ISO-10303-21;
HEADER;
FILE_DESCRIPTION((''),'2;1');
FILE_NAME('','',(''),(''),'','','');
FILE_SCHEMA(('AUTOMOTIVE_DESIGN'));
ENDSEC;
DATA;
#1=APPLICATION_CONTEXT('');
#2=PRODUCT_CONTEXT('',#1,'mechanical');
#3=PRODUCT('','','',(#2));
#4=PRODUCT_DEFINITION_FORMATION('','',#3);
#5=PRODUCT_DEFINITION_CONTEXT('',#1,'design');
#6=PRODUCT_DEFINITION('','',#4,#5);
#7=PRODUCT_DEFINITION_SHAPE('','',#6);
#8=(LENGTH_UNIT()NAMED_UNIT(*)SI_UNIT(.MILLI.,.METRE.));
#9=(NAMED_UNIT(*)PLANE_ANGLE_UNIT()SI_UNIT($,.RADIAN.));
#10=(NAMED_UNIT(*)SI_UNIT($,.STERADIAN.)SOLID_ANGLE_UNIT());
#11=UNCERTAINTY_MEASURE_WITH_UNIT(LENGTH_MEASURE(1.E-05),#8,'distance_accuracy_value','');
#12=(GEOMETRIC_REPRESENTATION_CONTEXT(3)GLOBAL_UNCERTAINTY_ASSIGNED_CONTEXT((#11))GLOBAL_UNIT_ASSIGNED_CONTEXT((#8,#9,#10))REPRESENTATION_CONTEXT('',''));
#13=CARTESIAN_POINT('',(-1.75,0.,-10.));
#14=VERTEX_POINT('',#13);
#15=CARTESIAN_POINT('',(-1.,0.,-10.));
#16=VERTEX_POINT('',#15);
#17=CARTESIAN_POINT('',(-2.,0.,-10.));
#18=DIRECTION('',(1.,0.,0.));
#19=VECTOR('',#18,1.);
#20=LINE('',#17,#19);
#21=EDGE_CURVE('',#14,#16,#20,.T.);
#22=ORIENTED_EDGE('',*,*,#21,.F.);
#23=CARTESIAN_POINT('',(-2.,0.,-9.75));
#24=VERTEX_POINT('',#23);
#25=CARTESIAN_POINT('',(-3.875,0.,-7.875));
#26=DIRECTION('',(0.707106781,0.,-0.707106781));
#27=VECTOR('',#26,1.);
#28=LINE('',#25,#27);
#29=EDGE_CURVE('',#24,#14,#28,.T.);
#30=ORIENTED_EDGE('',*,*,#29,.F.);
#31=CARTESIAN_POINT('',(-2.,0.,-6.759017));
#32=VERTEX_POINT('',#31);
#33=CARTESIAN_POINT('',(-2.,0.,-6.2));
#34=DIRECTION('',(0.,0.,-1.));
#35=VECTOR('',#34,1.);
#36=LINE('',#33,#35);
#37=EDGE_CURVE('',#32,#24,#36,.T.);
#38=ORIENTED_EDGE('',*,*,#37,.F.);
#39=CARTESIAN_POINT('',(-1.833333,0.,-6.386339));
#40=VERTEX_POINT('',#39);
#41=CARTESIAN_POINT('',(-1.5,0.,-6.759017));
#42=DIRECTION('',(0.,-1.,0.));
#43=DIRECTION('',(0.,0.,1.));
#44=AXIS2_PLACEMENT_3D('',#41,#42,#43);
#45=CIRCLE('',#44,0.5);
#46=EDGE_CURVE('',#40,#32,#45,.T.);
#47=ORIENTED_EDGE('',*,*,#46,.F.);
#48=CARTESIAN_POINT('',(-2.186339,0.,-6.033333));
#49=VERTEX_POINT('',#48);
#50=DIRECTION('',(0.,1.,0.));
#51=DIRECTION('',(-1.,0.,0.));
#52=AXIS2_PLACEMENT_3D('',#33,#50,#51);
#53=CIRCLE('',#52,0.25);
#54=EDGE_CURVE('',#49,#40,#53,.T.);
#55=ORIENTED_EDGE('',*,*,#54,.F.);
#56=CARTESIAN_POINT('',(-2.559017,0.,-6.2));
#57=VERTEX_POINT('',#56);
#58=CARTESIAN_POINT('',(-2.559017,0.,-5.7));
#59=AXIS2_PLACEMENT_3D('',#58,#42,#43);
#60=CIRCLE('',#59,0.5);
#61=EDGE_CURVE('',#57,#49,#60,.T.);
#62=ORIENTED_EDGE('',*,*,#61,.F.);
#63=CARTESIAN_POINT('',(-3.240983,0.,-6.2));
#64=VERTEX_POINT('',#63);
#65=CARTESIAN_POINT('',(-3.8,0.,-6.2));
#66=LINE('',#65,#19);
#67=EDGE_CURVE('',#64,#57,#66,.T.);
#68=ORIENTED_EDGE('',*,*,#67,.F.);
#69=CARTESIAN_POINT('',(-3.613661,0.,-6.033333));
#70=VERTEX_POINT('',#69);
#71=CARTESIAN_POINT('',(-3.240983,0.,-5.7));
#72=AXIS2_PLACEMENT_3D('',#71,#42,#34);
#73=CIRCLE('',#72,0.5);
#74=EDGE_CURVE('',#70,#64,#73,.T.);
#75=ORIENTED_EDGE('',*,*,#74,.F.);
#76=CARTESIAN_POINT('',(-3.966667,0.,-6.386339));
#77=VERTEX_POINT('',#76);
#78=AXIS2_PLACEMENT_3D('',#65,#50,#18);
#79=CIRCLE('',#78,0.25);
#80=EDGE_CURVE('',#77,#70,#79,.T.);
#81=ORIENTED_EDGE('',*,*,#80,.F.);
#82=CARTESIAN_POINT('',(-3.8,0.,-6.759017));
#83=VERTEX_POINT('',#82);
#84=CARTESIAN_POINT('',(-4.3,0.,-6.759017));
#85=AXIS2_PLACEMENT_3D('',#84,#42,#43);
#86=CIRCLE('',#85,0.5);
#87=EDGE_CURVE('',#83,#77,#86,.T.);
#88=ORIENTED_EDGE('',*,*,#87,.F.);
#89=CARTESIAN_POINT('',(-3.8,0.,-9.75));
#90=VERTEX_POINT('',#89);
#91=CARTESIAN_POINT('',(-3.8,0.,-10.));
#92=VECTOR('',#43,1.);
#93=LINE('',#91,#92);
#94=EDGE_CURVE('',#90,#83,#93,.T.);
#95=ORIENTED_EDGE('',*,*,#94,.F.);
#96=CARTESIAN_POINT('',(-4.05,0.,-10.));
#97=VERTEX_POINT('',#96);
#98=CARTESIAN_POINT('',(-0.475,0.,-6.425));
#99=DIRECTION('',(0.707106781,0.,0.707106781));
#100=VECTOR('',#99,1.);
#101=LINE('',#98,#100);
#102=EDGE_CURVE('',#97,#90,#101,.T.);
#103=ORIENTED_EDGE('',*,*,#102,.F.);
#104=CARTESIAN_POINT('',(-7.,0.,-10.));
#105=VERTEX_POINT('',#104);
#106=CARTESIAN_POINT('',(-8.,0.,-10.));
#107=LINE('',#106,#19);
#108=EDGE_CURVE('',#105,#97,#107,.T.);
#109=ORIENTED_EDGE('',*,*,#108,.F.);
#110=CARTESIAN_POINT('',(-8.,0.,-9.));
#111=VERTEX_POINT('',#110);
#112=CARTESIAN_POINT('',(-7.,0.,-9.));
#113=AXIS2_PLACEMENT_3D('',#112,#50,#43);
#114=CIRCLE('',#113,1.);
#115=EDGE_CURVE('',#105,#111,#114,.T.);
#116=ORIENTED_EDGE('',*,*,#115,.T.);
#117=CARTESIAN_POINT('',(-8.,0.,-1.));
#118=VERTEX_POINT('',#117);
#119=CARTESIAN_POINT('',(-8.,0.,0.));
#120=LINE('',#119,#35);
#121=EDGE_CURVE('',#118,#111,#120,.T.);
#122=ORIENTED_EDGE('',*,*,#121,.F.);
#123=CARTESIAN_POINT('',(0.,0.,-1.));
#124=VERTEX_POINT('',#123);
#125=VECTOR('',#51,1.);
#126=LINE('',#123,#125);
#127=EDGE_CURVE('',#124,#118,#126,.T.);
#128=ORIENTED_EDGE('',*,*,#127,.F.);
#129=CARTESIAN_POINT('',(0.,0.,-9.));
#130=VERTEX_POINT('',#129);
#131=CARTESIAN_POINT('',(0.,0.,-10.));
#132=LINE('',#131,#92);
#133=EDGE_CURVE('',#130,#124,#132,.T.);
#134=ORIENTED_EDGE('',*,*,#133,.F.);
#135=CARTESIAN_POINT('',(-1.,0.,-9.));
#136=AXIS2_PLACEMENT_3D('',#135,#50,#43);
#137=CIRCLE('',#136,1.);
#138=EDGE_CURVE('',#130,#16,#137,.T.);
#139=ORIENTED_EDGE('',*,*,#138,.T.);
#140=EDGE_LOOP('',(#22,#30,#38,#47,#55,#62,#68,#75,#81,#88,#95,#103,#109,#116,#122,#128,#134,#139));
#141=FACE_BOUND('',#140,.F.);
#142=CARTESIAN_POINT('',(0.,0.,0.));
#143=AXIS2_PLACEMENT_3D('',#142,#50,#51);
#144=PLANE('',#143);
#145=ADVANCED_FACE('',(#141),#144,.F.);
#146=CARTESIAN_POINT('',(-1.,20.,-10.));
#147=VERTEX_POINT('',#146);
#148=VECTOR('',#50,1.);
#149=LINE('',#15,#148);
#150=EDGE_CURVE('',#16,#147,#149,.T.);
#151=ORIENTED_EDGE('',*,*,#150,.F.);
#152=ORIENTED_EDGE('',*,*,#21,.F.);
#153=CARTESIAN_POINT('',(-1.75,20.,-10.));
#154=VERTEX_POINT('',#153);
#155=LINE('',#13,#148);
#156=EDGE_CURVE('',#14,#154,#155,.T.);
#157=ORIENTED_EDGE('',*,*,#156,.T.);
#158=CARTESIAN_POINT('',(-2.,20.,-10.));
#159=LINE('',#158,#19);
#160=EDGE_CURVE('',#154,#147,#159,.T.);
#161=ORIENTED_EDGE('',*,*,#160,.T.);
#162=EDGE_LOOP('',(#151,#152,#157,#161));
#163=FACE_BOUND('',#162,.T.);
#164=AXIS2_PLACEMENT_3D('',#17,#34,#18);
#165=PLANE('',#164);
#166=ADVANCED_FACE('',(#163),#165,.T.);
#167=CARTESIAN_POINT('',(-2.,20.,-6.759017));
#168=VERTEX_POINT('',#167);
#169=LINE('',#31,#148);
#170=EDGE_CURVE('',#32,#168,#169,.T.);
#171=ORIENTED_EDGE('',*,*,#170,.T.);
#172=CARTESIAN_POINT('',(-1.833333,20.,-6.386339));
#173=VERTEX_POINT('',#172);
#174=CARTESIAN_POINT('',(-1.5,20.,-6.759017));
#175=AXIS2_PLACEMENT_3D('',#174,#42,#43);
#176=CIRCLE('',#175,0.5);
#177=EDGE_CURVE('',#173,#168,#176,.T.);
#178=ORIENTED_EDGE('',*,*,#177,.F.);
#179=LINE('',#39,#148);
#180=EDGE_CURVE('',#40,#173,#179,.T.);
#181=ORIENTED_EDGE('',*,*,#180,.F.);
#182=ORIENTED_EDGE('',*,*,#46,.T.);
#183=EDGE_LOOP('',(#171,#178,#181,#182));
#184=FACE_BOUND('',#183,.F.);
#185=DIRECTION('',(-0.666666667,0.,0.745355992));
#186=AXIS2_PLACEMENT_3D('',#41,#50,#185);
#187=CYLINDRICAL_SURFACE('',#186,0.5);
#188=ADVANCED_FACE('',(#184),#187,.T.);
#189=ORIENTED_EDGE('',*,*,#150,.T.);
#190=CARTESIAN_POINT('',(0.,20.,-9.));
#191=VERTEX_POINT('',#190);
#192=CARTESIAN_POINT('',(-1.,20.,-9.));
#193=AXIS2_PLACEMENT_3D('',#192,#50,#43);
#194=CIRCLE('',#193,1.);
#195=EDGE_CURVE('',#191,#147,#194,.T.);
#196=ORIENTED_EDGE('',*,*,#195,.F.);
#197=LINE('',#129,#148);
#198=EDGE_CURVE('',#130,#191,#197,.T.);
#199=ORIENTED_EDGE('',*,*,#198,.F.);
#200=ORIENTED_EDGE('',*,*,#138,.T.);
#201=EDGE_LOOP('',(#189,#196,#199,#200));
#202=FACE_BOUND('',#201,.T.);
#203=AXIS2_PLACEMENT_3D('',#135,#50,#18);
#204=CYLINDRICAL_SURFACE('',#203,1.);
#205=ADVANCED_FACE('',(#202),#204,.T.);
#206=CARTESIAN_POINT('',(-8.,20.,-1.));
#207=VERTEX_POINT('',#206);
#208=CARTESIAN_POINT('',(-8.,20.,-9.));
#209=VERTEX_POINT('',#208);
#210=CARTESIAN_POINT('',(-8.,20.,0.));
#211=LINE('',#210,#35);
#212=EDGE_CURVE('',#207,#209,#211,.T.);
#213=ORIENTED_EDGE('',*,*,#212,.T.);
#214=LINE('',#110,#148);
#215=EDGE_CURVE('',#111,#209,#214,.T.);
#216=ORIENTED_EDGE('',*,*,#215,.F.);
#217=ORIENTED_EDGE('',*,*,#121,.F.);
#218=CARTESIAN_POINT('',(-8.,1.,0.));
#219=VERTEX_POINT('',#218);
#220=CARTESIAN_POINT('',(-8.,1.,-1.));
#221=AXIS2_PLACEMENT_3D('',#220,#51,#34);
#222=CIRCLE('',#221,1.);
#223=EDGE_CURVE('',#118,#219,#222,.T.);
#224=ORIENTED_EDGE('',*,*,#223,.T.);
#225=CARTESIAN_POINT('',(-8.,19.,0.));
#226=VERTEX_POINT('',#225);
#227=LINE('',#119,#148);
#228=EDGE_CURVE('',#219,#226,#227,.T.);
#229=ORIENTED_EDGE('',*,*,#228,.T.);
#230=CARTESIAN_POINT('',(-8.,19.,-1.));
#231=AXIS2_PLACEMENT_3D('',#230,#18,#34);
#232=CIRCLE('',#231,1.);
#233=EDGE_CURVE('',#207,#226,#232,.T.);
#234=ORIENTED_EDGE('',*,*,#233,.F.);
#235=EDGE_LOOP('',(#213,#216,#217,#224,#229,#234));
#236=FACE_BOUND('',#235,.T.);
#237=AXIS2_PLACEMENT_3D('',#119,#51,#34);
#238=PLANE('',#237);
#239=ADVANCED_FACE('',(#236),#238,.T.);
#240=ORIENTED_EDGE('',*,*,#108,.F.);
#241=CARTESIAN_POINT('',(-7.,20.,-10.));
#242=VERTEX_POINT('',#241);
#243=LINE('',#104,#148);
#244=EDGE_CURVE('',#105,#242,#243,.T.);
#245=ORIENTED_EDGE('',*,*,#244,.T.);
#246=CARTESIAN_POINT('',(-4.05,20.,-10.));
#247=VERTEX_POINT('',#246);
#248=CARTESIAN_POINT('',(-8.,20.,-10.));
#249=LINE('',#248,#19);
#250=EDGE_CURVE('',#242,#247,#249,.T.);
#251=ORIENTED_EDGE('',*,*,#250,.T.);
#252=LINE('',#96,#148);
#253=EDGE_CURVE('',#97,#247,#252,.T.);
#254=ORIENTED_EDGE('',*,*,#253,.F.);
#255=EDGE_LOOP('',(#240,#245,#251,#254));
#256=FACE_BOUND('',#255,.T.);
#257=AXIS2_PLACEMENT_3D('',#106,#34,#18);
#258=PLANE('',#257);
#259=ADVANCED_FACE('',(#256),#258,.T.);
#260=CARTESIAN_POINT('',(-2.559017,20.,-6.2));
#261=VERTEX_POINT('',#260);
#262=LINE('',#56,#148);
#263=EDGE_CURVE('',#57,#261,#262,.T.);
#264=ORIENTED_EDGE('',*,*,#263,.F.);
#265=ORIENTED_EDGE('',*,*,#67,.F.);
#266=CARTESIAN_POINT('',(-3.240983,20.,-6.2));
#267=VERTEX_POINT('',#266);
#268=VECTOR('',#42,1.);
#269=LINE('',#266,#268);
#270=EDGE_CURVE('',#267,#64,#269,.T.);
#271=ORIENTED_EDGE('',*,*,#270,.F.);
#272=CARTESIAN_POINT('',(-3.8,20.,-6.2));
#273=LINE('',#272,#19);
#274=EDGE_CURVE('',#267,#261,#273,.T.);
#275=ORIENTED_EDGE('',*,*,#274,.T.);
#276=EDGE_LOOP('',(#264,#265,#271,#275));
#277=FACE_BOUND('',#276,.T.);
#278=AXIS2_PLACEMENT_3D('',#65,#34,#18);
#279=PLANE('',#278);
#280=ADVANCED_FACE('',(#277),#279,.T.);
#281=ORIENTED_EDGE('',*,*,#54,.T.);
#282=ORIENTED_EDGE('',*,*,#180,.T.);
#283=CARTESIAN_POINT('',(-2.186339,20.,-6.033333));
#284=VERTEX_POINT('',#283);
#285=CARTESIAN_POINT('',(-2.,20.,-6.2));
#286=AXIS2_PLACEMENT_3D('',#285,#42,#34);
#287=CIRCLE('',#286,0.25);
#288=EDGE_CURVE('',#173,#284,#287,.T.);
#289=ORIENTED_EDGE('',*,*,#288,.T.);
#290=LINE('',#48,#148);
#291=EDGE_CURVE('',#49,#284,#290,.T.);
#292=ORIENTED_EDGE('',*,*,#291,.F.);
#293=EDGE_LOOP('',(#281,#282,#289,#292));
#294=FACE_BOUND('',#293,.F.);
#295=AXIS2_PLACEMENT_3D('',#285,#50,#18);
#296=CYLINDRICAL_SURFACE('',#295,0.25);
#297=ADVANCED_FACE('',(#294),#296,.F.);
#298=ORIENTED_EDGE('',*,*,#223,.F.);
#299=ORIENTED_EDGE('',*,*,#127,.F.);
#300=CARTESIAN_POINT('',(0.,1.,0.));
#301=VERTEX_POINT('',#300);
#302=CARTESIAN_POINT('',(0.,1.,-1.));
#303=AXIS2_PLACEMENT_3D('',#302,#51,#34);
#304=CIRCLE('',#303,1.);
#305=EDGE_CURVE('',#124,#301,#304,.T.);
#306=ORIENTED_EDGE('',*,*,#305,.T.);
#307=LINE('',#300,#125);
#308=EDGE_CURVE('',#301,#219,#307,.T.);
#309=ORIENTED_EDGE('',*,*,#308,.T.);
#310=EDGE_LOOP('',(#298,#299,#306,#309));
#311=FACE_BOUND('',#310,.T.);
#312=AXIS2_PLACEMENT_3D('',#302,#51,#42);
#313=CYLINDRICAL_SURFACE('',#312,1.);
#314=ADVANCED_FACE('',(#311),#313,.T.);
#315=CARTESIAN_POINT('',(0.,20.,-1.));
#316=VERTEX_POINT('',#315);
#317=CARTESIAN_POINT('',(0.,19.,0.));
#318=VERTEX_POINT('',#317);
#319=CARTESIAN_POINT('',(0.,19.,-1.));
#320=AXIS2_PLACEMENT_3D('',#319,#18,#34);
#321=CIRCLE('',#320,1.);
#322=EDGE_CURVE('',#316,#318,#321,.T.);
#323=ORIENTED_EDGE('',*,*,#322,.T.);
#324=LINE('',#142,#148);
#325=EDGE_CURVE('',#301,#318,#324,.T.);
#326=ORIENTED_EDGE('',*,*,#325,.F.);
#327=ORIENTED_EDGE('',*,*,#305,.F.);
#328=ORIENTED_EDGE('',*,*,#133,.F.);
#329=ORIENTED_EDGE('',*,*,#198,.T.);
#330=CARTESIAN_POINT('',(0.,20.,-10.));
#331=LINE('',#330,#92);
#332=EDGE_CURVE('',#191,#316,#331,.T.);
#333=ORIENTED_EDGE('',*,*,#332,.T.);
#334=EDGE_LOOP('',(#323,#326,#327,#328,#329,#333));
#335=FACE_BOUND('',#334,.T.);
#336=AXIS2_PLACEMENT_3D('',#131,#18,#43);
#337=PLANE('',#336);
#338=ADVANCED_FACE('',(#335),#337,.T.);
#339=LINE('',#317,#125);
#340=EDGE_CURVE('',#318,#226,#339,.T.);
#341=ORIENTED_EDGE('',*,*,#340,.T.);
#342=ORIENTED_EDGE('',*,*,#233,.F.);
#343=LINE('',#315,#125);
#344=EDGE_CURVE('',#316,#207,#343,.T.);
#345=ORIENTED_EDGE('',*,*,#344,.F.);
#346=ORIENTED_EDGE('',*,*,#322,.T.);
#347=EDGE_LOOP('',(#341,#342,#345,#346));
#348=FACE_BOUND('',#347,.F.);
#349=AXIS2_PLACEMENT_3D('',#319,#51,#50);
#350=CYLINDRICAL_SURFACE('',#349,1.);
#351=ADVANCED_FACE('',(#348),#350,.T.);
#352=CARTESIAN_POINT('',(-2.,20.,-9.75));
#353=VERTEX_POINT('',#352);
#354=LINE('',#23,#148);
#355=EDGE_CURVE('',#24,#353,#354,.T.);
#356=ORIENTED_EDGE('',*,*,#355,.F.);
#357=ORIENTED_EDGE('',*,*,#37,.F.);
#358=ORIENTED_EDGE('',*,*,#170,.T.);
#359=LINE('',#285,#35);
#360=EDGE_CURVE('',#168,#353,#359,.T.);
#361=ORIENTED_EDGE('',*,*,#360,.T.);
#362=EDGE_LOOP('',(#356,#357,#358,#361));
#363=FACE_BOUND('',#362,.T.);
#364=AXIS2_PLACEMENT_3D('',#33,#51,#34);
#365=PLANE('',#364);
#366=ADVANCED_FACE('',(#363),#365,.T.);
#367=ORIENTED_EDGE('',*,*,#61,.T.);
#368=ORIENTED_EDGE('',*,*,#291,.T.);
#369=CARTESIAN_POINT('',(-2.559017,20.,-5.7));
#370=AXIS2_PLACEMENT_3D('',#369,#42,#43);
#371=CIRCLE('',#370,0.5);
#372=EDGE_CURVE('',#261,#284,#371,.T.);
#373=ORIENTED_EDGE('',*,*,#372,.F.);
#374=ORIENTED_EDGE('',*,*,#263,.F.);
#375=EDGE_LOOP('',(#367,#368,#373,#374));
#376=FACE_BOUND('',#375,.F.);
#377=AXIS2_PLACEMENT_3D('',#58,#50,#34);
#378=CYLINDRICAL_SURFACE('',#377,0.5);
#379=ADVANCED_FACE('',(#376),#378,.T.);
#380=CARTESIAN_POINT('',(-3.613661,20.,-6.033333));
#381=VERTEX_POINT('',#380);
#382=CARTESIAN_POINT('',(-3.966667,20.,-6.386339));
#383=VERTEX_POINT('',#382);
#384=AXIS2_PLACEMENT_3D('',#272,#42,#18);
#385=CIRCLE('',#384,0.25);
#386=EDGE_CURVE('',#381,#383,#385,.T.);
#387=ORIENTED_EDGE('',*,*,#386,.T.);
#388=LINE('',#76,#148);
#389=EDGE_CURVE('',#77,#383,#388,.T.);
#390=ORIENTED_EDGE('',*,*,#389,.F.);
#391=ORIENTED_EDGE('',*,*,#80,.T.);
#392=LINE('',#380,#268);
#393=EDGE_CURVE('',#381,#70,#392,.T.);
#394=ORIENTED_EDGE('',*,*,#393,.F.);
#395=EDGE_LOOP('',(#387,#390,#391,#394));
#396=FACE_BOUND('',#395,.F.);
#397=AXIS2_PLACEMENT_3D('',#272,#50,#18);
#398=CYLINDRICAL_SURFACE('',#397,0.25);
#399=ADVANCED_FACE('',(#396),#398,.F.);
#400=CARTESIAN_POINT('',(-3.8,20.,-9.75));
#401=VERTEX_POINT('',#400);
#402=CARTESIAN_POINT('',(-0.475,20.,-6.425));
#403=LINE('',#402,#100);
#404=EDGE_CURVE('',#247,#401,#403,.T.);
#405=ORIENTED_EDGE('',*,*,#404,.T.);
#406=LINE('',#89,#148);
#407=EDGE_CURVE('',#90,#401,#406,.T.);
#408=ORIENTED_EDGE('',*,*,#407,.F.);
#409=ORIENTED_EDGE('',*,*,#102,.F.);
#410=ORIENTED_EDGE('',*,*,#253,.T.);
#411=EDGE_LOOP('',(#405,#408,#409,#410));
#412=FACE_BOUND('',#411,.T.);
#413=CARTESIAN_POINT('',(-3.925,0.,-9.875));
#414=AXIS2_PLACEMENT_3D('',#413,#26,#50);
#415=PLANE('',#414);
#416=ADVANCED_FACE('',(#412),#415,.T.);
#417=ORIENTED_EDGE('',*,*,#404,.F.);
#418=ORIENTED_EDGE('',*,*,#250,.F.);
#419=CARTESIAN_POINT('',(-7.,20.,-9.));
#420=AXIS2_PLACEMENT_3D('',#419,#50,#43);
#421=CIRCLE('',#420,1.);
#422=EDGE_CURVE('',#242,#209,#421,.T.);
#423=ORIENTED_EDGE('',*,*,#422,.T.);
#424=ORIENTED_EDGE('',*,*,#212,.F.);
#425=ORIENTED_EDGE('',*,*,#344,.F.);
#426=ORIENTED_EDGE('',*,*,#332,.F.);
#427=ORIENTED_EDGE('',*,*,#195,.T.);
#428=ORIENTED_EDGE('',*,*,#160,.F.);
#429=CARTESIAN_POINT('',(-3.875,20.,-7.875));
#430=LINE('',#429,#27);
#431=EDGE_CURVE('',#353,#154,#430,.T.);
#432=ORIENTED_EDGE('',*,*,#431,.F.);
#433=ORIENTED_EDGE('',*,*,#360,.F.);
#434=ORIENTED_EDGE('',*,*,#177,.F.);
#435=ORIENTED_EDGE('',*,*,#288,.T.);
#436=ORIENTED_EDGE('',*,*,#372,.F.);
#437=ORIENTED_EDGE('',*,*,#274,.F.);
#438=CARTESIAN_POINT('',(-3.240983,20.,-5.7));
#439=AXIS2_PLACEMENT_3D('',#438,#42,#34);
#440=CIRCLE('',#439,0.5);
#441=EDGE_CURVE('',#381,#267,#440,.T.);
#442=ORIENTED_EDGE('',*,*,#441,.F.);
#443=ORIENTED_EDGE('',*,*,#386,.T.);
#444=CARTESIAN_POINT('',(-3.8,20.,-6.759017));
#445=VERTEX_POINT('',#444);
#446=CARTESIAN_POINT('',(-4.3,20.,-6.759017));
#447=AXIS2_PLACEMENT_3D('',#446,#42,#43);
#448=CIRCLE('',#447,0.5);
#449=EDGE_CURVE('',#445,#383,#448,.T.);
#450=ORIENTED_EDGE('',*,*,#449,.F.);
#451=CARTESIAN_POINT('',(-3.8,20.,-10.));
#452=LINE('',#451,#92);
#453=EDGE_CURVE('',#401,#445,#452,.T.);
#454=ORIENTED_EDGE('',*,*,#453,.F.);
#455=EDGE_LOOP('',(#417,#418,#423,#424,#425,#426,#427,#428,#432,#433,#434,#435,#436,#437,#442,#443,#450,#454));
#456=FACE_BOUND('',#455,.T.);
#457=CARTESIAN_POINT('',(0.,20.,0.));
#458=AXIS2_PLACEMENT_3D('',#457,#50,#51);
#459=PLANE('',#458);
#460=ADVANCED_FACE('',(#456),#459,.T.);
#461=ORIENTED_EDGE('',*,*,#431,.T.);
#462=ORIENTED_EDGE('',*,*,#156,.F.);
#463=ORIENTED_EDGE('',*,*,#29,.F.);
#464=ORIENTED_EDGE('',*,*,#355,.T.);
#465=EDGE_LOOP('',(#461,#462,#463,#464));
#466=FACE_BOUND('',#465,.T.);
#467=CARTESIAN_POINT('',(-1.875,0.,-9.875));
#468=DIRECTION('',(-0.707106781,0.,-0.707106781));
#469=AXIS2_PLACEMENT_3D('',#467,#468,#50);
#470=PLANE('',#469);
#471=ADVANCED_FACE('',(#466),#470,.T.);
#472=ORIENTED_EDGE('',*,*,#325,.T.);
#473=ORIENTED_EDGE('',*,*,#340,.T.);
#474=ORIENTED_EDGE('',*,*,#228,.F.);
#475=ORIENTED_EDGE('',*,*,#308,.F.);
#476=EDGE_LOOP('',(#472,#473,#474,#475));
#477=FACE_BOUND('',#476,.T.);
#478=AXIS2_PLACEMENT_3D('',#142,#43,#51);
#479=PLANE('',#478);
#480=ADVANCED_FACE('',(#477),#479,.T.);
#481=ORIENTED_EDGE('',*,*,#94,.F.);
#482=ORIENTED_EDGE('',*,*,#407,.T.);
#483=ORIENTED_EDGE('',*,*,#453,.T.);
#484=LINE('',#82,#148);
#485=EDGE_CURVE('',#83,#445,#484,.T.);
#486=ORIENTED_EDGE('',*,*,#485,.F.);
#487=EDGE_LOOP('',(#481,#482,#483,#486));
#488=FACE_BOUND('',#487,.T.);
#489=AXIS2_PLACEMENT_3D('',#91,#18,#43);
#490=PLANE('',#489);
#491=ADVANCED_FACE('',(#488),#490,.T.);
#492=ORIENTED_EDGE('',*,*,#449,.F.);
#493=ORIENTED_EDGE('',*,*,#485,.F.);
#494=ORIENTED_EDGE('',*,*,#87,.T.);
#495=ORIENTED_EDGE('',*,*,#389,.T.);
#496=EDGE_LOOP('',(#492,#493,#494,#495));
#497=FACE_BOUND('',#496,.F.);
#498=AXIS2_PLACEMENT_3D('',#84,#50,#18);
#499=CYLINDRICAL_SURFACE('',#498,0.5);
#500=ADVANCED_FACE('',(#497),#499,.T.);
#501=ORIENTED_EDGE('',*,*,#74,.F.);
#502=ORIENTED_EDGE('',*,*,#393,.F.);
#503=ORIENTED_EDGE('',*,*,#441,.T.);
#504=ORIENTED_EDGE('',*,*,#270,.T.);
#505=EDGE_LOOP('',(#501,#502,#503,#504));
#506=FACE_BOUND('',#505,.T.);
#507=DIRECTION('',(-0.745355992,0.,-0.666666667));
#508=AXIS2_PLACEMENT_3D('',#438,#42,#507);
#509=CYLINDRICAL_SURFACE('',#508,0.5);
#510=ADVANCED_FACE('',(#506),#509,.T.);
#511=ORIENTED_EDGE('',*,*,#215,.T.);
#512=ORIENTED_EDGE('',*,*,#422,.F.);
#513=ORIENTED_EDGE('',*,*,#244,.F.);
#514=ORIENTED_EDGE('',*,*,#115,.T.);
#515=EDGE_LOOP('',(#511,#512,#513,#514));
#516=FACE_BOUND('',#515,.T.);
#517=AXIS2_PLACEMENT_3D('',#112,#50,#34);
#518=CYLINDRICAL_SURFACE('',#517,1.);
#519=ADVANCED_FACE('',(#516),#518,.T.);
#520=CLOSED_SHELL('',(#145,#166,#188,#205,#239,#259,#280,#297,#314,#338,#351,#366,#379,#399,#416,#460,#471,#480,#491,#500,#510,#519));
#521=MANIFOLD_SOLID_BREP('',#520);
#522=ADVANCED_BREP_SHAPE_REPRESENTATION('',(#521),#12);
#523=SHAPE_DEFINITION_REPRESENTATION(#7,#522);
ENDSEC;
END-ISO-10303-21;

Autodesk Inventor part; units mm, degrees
ref_plane "YZ Plane" through (0, 0, 0) normal (1, 0, 0) x (0, 1, 0)
ref_plane "XZ Plane" through (0, 0, 0) normal (0, 1, 0) x (-1, 0, 0)
ref_plane "XY Plane" through (0, 0, 0) normal (0, 0, 1) x (1, 0, 0)
sketch "Sketch1" plane through (0, 0, 0) normal (0, 1, 0) x (-1, 0, 0)
  line L0 (0, 0) -> (8, 0)
  line L1 (8, 0) -> (8, -10)
  line L2 (0, -10) -> (0, 0)
  line L3 (3.8, -10) -> (3.8, -6.2)
  line L4 (3.8, -6.2) -> (2, -6.2)
  line L5 (2, -6.2) -> (2, -10)
  line L6 (8, -10) -> (3.8, -10)
  line L7 (2, -10) -> (0, -10)
  dimension "d0" = 1.8
  dimension "d1" = 2
  dimension "d2" = 8
  dimension "d3" = 3.8
  dimension "d4" = 3.8
  dimension "d5" = 10
extrude "Extrusion1" add sketch "Sketch1" along normal blind 20
chamfer "Chamfer1" distance 0.25 angle 45 2 edges at (-2, 10, -10) (-3.8, 10, -10)
fillet "Fillet1" radius 1 4 edges at (-4, 20, 0) (-4, 0, 0) (-8, 10, -10) (0, 10, -10)
sketch "Sketch2" plane through (0, 20, 0) normal (0, 1, 0) x (1, 0, 0)
  arc A0 (0, 9) -> (-1, 10) centre (-1, 9) ccw projected
  line L0 (-1, 10) -> (-1.75, 10) projected
  line L1 (-2, 9.75) -> (-1.75, 10) projected
  line L2 (-2, 9.75) -> (-2, 6.2) projected
  line L3 (-2, 6.2) -> (-3.8, 6.2) projected
  line L4 (-3.8, 6.2) -> (-3.8, 9.75) projected
  line L5 (-4.05, 10) -> (-3.8, 9.75) projected
  line L6 (-4.05, 10) -> (-7, 10) projected
  arc A1 (-7, 10) -> (-8, 9) centre (-7, 9) ccw projected
  line L7 (-8, 9) -> (-8, 1) projected
  line L8 (0, 1) -> (-8, 1) projected
  line L9 (0, 1) -> (0, 9) projected
  circle A2 centre (-3.8, 6.2) radius 0.25
  circle A3 centre (-2, 6.2) radius 0.25
  point P0 (0, 0)
  dimension "d12" = 0.5
extrude "Extrusion2" cut sketch "Sketch2" against normal through all contours A3 L3 L2 | L2 L3 A3 | A2 L4 L3 | L3 L4 A2
fillet "Fillet2" radius 0.5 4 edges at (-3.55, 10, -6.2) (-3.8, 10, -6.45) (-2, 10, -6.45) (-2.25, 10, -6.2)
properties part number "capSenseHolder"
